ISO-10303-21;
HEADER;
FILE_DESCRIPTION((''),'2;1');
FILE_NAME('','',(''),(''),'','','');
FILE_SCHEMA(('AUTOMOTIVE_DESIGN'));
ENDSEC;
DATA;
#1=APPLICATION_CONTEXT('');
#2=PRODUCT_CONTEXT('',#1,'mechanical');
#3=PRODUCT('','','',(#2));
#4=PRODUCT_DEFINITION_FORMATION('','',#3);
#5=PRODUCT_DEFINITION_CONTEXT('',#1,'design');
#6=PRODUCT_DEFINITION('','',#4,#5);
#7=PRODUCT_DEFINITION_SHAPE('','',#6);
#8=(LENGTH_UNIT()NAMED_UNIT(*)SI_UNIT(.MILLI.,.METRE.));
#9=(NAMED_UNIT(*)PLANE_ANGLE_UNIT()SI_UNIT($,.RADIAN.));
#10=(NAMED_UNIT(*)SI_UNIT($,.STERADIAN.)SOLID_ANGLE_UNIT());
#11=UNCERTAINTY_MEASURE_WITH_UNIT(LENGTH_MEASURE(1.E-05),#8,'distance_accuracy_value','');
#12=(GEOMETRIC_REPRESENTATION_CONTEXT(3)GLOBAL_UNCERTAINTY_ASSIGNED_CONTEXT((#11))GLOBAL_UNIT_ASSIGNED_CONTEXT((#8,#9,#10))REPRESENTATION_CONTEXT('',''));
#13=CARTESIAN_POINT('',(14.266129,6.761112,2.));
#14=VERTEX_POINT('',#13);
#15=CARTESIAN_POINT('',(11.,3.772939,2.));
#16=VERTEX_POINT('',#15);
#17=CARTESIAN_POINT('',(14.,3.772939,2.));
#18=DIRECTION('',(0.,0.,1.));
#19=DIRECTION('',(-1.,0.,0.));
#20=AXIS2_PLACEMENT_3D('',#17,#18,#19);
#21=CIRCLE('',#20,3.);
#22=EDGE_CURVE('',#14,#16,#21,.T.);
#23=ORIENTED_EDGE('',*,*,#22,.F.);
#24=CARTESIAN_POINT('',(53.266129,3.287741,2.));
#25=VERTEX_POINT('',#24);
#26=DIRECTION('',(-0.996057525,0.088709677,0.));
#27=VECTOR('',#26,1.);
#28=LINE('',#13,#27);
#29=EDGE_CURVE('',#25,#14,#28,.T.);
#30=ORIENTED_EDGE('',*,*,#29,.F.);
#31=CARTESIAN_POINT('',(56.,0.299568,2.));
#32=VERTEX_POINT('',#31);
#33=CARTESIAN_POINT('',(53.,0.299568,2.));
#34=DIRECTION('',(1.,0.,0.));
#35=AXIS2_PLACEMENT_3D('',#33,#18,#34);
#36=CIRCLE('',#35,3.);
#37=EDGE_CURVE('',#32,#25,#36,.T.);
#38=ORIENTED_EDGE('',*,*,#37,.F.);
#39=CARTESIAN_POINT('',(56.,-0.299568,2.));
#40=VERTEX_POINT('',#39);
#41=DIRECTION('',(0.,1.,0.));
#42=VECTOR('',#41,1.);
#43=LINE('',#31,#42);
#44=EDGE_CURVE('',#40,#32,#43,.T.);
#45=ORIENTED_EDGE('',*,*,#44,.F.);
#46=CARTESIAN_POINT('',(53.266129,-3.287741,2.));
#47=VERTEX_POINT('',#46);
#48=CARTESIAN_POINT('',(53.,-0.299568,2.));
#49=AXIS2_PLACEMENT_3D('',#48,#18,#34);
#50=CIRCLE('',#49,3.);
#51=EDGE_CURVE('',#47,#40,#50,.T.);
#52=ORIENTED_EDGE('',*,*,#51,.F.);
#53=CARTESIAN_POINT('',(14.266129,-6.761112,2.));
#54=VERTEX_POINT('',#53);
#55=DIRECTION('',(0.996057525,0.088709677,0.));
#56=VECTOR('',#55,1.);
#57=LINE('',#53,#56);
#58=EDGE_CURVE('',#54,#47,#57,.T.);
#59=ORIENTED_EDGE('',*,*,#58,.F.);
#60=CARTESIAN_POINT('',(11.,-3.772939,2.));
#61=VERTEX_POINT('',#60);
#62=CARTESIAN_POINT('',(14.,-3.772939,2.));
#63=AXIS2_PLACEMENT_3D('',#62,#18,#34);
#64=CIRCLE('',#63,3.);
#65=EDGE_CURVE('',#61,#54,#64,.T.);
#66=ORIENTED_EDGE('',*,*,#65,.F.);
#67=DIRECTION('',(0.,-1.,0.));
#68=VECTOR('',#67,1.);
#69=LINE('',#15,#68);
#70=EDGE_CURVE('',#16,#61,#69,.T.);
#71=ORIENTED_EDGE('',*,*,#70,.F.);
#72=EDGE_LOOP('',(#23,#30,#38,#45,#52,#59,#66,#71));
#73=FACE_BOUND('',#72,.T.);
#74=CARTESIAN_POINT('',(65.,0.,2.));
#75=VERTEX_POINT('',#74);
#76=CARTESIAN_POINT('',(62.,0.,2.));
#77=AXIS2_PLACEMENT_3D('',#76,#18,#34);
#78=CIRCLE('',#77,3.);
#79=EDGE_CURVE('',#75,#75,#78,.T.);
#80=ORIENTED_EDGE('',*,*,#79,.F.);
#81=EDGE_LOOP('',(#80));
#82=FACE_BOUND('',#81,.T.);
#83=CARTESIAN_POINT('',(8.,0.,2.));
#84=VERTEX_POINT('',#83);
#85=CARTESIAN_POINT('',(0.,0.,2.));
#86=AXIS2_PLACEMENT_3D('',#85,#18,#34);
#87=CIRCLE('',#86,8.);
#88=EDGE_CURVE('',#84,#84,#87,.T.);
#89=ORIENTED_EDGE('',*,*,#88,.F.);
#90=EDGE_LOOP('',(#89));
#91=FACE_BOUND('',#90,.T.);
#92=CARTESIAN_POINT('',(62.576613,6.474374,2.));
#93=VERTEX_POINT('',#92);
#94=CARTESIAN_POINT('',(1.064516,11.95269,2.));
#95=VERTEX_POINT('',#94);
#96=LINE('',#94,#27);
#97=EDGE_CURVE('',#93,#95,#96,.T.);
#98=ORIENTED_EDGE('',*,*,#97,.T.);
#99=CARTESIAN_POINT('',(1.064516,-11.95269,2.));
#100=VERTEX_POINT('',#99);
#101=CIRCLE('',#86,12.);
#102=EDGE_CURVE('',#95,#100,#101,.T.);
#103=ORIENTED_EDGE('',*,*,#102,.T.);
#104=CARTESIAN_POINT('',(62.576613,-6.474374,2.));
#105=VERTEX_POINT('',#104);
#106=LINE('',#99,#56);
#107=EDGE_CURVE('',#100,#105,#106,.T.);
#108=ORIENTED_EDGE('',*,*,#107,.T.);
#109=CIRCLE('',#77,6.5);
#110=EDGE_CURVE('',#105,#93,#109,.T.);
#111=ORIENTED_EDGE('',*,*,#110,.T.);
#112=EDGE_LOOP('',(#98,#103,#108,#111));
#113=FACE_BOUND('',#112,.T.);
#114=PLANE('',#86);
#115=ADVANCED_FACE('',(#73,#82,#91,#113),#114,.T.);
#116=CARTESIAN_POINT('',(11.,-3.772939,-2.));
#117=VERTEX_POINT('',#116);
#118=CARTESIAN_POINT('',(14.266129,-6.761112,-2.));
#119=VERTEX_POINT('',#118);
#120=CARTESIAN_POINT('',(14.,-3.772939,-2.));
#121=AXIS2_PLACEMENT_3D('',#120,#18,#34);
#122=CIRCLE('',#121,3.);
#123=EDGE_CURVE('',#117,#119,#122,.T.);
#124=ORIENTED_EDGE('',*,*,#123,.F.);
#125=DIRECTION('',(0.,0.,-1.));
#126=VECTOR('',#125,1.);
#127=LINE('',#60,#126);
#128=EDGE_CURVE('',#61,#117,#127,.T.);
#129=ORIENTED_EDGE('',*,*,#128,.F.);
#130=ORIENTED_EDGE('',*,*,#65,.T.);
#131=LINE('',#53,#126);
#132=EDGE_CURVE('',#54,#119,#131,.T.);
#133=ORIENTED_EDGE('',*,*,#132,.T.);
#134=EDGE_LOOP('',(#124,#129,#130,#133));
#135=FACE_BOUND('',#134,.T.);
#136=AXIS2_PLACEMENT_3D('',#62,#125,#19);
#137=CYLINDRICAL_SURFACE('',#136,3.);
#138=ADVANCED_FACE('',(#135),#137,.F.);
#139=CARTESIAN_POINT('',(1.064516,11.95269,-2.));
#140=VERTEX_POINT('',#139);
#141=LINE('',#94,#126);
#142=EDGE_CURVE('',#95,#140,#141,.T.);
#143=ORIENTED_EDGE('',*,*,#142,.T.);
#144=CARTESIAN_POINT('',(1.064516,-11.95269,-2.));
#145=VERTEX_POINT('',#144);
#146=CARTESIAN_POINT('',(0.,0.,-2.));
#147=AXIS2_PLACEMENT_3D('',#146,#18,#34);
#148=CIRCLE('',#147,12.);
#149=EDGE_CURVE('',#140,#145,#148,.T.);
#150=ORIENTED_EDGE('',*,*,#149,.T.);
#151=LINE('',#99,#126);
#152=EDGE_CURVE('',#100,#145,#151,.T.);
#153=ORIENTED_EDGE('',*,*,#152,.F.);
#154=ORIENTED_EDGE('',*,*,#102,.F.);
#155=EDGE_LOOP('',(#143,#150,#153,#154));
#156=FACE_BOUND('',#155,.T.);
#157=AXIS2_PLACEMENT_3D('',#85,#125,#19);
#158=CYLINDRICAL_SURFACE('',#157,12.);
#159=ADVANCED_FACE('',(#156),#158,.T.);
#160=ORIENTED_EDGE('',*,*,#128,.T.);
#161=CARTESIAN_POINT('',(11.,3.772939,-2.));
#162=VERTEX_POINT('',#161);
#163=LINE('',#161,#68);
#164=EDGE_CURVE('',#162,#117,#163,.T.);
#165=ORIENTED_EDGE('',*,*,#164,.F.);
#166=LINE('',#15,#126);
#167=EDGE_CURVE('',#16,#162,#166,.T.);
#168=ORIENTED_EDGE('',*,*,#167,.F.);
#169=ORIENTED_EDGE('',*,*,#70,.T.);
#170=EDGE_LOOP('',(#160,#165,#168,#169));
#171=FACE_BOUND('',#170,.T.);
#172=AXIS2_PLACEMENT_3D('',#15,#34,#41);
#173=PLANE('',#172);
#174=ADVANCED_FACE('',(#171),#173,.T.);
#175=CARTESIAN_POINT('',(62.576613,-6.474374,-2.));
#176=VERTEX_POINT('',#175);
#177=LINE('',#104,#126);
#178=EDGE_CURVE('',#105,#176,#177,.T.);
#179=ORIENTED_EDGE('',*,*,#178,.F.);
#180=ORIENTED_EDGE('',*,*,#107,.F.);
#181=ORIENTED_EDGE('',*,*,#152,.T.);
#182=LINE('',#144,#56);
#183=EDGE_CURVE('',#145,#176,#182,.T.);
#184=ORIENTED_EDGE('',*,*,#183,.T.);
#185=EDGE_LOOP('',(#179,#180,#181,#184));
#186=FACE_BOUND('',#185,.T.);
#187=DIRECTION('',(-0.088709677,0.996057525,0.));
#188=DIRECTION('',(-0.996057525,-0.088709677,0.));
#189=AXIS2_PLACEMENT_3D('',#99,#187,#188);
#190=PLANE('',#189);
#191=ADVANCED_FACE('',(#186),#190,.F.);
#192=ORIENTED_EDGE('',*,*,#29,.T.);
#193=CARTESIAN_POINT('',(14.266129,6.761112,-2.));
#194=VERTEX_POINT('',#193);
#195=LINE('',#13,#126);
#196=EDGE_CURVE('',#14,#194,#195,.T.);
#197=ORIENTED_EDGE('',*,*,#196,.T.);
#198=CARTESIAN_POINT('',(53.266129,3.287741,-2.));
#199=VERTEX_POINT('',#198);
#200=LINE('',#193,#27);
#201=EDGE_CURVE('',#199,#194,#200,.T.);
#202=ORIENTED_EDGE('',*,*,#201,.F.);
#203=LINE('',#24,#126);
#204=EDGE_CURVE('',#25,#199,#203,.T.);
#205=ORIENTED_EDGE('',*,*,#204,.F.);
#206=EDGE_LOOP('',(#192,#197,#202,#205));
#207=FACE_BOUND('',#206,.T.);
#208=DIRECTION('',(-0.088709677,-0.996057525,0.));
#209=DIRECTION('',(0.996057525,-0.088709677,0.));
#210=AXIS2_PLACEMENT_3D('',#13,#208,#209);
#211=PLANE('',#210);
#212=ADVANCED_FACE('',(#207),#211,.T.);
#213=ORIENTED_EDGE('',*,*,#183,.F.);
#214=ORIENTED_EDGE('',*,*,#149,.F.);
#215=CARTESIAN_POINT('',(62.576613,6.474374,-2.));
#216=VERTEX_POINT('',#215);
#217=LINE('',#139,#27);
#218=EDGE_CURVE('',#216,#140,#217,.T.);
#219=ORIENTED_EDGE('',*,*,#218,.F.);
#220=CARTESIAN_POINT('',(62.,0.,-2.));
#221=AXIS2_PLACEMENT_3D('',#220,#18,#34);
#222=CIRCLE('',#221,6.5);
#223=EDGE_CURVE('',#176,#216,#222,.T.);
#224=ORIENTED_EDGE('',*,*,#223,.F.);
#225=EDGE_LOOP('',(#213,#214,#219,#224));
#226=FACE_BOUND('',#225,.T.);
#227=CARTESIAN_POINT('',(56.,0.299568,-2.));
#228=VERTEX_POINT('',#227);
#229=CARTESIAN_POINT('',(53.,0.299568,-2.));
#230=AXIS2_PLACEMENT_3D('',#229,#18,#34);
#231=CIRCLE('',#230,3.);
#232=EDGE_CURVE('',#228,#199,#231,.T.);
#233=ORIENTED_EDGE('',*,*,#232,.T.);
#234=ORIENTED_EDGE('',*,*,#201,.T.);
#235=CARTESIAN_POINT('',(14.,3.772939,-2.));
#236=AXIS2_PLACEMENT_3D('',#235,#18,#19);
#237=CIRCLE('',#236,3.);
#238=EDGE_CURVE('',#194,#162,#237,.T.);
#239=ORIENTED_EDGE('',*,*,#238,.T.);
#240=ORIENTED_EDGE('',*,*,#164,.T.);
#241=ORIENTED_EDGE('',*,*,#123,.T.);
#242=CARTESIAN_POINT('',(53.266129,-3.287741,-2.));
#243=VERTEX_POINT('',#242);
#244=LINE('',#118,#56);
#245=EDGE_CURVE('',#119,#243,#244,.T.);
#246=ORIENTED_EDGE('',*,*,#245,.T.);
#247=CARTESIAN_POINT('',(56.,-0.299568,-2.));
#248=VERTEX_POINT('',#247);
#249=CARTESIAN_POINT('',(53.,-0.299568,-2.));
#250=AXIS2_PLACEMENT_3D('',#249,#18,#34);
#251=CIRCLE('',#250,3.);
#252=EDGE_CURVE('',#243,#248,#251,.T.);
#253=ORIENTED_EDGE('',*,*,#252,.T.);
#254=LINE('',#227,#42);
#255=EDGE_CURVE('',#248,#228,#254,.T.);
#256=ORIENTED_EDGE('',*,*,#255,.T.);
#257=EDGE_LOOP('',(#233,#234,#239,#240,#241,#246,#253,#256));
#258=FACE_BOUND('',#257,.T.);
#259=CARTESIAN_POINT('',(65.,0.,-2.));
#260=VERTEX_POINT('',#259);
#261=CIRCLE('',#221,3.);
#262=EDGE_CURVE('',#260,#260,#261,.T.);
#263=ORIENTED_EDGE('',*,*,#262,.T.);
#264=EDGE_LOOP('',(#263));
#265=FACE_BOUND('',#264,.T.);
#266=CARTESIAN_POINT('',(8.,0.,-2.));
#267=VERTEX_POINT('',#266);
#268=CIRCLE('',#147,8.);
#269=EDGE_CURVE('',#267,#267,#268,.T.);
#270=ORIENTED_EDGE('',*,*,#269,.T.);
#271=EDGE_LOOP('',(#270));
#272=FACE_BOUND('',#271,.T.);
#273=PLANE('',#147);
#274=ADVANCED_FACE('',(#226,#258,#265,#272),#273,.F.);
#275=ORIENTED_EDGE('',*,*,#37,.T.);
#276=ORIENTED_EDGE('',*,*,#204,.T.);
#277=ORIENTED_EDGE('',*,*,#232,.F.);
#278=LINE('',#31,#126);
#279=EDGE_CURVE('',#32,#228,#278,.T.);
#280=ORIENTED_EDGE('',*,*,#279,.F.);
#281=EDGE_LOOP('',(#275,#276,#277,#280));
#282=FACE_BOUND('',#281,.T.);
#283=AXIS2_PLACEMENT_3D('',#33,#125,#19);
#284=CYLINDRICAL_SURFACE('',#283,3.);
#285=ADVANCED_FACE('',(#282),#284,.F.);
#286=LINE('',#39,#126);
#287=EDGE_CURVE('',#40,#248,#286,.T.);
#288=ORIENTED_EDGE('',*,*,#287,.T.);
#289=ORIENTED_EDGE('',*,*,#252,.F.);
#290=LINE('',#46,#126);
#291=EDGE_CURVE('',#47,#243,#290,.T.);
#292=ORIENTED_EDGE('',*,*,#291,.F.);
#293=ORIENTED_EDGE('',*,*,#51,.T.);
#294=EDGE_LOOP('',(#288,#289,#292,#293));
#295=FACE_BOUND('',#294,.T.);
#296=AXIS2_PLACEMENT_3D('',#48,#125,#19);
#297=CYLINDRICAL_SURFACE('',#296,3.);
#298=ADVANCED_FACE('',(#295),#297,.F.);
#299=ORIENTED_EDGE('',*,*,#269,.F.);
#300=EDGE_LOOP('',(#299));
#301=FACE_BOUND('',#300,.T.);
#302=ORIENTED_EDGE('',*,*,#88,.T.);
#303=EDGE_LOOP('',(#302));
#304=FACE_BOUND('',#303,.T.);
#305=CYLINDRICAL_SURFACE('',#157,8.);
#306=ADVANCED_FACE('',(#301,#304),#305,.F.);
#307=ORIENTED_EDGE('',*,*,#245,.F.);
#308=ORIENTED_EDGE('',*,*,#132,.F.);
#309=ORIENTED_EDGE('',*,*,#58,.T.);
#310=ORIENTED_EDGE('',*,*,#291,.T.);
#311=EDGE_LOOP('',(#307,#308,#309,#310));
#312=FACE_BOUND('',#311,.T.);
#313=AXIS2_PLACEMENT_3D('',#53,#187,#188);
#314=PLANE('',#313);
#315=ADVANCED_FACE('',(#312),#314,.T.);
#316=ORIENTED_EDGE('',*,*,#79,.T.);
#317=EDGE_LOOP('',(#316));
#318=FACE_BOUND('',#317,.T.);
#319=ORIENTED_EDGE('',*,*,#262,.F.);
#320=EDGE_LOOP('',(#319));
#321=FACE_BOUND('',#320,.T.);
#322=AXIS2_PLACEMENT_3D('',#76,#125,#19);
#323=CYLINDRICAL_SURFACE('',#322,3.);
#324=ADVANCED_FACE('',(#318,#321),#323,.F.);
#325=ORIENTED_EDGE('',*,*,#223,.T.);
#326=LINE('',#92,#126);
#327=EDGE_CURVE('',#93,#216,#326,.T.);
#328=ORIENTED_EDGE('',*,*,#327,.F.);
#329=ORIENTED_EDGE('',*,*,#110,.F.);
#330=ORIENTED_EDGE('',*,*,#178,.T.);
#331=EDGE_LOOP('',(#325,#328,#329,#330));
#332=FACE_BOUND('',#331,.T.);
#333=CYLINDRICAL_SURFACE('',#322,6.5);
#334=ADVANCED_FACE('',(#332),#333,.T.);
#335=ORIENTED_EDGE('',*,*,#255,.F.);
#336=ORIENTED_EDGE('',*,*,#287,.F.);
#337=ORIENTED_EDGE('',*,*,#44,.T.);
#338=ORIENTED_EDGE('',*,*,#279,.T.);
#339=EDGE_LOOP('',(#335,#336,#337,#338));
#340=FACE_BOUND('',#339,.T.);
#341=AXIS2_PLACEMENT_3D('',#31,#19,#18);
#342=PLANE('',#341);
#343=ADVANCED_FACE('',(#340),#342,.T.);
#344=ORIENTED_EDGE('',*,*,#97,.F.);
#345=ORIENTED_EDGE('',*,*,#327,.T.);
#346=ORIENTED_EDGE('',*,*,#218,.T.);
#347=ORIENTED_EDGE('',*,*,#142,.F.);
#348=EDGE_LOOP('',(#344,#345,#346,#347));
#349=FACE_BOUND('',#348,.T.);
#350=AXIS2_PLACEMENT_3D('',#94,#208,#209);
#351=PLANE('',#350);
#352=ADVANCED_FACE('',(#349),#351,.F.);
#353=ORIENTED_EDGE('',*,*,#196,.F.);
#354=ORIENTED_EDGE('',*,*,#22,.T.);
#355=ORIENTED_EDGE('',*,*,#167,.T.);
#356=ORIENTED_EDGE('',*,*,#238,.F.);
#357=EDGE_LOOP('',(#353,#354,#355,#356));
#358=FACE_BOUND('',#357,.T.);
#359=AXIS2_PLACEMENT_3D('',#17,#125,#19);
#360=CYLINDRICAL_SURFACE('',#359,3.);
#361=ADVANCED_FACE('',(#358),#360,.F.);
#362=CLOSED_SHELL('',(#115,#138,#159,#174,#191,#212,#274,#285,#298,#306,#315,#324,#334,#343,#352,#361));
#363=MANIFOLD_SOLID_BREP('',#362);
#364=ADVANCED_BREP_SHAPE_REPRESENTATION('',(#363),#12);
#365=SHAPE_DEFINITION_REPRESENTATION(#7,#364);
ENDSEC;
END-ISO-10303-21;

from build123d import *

# Parameters (mm, degrees)
ESQUISSE1_R          = 8
ESQUISSE1_R_2        = 3
BASE_EXTRUSION_DEPTH = 2


with BuildPart() as part:
    # Esquisse1 → Base-Extrusion (new, symmetric)
    with BuildSketch(Plane.XY):
        with BuildLine():
            Line((1.064516129, 11.9526903), (62.576612903, 6.474373913))
            ThreePointArc((62.576612903, 6.474373913), (68.5, 0), (62.576612903, -6.474373913))
            Line((62.576612903, -6.474373913), (1.064516129, -11.9526903))
            ThreePointArc((1.064516129, -11.9526903), (-12, 0), (1.064516129, 11.9526903))
        make_face()
        Circle(ESQUISSE1_R, mode=Mode.SUBTRACT)
        with Locations((62, 0)):
            Circle(ESQUISSE1_R_2, mode=Mode.SUBTRACT)
        with BuildLine():
            Line((14.266129032, 6.76111181), (53.266129032, 3.287740712))
            ThreePointArc((53.266129032, 3.287740712), (55.213412196, 2.324612939), (56, 0.299568137))
            Line((56, 0.299568137), (56, -0.299568137))
            ThreePointArc((56, -0.299568137), (55.213412196, -2.324612939), (53.266129032, -3.287740712))
            Line((53.266129032, -3.287740712), (14.266129032, -6.76111181))
            ThreePointArc((14.266129032, -6.76111181), (11.974955198, -5.98635143), (11, -3.772939235))
            Line((11, -3.772939235), (11, 3.772939235))
            ThreePointArc((11, 3.772939235), (11.974955198, 5.98635143), (14.266129032, 6.76111181))
        make_face(mode=Mode.SUBTRACT)
    extrude(amount=BASE_EXTRUSION_DEPTH, both=True)


solid = part.part
